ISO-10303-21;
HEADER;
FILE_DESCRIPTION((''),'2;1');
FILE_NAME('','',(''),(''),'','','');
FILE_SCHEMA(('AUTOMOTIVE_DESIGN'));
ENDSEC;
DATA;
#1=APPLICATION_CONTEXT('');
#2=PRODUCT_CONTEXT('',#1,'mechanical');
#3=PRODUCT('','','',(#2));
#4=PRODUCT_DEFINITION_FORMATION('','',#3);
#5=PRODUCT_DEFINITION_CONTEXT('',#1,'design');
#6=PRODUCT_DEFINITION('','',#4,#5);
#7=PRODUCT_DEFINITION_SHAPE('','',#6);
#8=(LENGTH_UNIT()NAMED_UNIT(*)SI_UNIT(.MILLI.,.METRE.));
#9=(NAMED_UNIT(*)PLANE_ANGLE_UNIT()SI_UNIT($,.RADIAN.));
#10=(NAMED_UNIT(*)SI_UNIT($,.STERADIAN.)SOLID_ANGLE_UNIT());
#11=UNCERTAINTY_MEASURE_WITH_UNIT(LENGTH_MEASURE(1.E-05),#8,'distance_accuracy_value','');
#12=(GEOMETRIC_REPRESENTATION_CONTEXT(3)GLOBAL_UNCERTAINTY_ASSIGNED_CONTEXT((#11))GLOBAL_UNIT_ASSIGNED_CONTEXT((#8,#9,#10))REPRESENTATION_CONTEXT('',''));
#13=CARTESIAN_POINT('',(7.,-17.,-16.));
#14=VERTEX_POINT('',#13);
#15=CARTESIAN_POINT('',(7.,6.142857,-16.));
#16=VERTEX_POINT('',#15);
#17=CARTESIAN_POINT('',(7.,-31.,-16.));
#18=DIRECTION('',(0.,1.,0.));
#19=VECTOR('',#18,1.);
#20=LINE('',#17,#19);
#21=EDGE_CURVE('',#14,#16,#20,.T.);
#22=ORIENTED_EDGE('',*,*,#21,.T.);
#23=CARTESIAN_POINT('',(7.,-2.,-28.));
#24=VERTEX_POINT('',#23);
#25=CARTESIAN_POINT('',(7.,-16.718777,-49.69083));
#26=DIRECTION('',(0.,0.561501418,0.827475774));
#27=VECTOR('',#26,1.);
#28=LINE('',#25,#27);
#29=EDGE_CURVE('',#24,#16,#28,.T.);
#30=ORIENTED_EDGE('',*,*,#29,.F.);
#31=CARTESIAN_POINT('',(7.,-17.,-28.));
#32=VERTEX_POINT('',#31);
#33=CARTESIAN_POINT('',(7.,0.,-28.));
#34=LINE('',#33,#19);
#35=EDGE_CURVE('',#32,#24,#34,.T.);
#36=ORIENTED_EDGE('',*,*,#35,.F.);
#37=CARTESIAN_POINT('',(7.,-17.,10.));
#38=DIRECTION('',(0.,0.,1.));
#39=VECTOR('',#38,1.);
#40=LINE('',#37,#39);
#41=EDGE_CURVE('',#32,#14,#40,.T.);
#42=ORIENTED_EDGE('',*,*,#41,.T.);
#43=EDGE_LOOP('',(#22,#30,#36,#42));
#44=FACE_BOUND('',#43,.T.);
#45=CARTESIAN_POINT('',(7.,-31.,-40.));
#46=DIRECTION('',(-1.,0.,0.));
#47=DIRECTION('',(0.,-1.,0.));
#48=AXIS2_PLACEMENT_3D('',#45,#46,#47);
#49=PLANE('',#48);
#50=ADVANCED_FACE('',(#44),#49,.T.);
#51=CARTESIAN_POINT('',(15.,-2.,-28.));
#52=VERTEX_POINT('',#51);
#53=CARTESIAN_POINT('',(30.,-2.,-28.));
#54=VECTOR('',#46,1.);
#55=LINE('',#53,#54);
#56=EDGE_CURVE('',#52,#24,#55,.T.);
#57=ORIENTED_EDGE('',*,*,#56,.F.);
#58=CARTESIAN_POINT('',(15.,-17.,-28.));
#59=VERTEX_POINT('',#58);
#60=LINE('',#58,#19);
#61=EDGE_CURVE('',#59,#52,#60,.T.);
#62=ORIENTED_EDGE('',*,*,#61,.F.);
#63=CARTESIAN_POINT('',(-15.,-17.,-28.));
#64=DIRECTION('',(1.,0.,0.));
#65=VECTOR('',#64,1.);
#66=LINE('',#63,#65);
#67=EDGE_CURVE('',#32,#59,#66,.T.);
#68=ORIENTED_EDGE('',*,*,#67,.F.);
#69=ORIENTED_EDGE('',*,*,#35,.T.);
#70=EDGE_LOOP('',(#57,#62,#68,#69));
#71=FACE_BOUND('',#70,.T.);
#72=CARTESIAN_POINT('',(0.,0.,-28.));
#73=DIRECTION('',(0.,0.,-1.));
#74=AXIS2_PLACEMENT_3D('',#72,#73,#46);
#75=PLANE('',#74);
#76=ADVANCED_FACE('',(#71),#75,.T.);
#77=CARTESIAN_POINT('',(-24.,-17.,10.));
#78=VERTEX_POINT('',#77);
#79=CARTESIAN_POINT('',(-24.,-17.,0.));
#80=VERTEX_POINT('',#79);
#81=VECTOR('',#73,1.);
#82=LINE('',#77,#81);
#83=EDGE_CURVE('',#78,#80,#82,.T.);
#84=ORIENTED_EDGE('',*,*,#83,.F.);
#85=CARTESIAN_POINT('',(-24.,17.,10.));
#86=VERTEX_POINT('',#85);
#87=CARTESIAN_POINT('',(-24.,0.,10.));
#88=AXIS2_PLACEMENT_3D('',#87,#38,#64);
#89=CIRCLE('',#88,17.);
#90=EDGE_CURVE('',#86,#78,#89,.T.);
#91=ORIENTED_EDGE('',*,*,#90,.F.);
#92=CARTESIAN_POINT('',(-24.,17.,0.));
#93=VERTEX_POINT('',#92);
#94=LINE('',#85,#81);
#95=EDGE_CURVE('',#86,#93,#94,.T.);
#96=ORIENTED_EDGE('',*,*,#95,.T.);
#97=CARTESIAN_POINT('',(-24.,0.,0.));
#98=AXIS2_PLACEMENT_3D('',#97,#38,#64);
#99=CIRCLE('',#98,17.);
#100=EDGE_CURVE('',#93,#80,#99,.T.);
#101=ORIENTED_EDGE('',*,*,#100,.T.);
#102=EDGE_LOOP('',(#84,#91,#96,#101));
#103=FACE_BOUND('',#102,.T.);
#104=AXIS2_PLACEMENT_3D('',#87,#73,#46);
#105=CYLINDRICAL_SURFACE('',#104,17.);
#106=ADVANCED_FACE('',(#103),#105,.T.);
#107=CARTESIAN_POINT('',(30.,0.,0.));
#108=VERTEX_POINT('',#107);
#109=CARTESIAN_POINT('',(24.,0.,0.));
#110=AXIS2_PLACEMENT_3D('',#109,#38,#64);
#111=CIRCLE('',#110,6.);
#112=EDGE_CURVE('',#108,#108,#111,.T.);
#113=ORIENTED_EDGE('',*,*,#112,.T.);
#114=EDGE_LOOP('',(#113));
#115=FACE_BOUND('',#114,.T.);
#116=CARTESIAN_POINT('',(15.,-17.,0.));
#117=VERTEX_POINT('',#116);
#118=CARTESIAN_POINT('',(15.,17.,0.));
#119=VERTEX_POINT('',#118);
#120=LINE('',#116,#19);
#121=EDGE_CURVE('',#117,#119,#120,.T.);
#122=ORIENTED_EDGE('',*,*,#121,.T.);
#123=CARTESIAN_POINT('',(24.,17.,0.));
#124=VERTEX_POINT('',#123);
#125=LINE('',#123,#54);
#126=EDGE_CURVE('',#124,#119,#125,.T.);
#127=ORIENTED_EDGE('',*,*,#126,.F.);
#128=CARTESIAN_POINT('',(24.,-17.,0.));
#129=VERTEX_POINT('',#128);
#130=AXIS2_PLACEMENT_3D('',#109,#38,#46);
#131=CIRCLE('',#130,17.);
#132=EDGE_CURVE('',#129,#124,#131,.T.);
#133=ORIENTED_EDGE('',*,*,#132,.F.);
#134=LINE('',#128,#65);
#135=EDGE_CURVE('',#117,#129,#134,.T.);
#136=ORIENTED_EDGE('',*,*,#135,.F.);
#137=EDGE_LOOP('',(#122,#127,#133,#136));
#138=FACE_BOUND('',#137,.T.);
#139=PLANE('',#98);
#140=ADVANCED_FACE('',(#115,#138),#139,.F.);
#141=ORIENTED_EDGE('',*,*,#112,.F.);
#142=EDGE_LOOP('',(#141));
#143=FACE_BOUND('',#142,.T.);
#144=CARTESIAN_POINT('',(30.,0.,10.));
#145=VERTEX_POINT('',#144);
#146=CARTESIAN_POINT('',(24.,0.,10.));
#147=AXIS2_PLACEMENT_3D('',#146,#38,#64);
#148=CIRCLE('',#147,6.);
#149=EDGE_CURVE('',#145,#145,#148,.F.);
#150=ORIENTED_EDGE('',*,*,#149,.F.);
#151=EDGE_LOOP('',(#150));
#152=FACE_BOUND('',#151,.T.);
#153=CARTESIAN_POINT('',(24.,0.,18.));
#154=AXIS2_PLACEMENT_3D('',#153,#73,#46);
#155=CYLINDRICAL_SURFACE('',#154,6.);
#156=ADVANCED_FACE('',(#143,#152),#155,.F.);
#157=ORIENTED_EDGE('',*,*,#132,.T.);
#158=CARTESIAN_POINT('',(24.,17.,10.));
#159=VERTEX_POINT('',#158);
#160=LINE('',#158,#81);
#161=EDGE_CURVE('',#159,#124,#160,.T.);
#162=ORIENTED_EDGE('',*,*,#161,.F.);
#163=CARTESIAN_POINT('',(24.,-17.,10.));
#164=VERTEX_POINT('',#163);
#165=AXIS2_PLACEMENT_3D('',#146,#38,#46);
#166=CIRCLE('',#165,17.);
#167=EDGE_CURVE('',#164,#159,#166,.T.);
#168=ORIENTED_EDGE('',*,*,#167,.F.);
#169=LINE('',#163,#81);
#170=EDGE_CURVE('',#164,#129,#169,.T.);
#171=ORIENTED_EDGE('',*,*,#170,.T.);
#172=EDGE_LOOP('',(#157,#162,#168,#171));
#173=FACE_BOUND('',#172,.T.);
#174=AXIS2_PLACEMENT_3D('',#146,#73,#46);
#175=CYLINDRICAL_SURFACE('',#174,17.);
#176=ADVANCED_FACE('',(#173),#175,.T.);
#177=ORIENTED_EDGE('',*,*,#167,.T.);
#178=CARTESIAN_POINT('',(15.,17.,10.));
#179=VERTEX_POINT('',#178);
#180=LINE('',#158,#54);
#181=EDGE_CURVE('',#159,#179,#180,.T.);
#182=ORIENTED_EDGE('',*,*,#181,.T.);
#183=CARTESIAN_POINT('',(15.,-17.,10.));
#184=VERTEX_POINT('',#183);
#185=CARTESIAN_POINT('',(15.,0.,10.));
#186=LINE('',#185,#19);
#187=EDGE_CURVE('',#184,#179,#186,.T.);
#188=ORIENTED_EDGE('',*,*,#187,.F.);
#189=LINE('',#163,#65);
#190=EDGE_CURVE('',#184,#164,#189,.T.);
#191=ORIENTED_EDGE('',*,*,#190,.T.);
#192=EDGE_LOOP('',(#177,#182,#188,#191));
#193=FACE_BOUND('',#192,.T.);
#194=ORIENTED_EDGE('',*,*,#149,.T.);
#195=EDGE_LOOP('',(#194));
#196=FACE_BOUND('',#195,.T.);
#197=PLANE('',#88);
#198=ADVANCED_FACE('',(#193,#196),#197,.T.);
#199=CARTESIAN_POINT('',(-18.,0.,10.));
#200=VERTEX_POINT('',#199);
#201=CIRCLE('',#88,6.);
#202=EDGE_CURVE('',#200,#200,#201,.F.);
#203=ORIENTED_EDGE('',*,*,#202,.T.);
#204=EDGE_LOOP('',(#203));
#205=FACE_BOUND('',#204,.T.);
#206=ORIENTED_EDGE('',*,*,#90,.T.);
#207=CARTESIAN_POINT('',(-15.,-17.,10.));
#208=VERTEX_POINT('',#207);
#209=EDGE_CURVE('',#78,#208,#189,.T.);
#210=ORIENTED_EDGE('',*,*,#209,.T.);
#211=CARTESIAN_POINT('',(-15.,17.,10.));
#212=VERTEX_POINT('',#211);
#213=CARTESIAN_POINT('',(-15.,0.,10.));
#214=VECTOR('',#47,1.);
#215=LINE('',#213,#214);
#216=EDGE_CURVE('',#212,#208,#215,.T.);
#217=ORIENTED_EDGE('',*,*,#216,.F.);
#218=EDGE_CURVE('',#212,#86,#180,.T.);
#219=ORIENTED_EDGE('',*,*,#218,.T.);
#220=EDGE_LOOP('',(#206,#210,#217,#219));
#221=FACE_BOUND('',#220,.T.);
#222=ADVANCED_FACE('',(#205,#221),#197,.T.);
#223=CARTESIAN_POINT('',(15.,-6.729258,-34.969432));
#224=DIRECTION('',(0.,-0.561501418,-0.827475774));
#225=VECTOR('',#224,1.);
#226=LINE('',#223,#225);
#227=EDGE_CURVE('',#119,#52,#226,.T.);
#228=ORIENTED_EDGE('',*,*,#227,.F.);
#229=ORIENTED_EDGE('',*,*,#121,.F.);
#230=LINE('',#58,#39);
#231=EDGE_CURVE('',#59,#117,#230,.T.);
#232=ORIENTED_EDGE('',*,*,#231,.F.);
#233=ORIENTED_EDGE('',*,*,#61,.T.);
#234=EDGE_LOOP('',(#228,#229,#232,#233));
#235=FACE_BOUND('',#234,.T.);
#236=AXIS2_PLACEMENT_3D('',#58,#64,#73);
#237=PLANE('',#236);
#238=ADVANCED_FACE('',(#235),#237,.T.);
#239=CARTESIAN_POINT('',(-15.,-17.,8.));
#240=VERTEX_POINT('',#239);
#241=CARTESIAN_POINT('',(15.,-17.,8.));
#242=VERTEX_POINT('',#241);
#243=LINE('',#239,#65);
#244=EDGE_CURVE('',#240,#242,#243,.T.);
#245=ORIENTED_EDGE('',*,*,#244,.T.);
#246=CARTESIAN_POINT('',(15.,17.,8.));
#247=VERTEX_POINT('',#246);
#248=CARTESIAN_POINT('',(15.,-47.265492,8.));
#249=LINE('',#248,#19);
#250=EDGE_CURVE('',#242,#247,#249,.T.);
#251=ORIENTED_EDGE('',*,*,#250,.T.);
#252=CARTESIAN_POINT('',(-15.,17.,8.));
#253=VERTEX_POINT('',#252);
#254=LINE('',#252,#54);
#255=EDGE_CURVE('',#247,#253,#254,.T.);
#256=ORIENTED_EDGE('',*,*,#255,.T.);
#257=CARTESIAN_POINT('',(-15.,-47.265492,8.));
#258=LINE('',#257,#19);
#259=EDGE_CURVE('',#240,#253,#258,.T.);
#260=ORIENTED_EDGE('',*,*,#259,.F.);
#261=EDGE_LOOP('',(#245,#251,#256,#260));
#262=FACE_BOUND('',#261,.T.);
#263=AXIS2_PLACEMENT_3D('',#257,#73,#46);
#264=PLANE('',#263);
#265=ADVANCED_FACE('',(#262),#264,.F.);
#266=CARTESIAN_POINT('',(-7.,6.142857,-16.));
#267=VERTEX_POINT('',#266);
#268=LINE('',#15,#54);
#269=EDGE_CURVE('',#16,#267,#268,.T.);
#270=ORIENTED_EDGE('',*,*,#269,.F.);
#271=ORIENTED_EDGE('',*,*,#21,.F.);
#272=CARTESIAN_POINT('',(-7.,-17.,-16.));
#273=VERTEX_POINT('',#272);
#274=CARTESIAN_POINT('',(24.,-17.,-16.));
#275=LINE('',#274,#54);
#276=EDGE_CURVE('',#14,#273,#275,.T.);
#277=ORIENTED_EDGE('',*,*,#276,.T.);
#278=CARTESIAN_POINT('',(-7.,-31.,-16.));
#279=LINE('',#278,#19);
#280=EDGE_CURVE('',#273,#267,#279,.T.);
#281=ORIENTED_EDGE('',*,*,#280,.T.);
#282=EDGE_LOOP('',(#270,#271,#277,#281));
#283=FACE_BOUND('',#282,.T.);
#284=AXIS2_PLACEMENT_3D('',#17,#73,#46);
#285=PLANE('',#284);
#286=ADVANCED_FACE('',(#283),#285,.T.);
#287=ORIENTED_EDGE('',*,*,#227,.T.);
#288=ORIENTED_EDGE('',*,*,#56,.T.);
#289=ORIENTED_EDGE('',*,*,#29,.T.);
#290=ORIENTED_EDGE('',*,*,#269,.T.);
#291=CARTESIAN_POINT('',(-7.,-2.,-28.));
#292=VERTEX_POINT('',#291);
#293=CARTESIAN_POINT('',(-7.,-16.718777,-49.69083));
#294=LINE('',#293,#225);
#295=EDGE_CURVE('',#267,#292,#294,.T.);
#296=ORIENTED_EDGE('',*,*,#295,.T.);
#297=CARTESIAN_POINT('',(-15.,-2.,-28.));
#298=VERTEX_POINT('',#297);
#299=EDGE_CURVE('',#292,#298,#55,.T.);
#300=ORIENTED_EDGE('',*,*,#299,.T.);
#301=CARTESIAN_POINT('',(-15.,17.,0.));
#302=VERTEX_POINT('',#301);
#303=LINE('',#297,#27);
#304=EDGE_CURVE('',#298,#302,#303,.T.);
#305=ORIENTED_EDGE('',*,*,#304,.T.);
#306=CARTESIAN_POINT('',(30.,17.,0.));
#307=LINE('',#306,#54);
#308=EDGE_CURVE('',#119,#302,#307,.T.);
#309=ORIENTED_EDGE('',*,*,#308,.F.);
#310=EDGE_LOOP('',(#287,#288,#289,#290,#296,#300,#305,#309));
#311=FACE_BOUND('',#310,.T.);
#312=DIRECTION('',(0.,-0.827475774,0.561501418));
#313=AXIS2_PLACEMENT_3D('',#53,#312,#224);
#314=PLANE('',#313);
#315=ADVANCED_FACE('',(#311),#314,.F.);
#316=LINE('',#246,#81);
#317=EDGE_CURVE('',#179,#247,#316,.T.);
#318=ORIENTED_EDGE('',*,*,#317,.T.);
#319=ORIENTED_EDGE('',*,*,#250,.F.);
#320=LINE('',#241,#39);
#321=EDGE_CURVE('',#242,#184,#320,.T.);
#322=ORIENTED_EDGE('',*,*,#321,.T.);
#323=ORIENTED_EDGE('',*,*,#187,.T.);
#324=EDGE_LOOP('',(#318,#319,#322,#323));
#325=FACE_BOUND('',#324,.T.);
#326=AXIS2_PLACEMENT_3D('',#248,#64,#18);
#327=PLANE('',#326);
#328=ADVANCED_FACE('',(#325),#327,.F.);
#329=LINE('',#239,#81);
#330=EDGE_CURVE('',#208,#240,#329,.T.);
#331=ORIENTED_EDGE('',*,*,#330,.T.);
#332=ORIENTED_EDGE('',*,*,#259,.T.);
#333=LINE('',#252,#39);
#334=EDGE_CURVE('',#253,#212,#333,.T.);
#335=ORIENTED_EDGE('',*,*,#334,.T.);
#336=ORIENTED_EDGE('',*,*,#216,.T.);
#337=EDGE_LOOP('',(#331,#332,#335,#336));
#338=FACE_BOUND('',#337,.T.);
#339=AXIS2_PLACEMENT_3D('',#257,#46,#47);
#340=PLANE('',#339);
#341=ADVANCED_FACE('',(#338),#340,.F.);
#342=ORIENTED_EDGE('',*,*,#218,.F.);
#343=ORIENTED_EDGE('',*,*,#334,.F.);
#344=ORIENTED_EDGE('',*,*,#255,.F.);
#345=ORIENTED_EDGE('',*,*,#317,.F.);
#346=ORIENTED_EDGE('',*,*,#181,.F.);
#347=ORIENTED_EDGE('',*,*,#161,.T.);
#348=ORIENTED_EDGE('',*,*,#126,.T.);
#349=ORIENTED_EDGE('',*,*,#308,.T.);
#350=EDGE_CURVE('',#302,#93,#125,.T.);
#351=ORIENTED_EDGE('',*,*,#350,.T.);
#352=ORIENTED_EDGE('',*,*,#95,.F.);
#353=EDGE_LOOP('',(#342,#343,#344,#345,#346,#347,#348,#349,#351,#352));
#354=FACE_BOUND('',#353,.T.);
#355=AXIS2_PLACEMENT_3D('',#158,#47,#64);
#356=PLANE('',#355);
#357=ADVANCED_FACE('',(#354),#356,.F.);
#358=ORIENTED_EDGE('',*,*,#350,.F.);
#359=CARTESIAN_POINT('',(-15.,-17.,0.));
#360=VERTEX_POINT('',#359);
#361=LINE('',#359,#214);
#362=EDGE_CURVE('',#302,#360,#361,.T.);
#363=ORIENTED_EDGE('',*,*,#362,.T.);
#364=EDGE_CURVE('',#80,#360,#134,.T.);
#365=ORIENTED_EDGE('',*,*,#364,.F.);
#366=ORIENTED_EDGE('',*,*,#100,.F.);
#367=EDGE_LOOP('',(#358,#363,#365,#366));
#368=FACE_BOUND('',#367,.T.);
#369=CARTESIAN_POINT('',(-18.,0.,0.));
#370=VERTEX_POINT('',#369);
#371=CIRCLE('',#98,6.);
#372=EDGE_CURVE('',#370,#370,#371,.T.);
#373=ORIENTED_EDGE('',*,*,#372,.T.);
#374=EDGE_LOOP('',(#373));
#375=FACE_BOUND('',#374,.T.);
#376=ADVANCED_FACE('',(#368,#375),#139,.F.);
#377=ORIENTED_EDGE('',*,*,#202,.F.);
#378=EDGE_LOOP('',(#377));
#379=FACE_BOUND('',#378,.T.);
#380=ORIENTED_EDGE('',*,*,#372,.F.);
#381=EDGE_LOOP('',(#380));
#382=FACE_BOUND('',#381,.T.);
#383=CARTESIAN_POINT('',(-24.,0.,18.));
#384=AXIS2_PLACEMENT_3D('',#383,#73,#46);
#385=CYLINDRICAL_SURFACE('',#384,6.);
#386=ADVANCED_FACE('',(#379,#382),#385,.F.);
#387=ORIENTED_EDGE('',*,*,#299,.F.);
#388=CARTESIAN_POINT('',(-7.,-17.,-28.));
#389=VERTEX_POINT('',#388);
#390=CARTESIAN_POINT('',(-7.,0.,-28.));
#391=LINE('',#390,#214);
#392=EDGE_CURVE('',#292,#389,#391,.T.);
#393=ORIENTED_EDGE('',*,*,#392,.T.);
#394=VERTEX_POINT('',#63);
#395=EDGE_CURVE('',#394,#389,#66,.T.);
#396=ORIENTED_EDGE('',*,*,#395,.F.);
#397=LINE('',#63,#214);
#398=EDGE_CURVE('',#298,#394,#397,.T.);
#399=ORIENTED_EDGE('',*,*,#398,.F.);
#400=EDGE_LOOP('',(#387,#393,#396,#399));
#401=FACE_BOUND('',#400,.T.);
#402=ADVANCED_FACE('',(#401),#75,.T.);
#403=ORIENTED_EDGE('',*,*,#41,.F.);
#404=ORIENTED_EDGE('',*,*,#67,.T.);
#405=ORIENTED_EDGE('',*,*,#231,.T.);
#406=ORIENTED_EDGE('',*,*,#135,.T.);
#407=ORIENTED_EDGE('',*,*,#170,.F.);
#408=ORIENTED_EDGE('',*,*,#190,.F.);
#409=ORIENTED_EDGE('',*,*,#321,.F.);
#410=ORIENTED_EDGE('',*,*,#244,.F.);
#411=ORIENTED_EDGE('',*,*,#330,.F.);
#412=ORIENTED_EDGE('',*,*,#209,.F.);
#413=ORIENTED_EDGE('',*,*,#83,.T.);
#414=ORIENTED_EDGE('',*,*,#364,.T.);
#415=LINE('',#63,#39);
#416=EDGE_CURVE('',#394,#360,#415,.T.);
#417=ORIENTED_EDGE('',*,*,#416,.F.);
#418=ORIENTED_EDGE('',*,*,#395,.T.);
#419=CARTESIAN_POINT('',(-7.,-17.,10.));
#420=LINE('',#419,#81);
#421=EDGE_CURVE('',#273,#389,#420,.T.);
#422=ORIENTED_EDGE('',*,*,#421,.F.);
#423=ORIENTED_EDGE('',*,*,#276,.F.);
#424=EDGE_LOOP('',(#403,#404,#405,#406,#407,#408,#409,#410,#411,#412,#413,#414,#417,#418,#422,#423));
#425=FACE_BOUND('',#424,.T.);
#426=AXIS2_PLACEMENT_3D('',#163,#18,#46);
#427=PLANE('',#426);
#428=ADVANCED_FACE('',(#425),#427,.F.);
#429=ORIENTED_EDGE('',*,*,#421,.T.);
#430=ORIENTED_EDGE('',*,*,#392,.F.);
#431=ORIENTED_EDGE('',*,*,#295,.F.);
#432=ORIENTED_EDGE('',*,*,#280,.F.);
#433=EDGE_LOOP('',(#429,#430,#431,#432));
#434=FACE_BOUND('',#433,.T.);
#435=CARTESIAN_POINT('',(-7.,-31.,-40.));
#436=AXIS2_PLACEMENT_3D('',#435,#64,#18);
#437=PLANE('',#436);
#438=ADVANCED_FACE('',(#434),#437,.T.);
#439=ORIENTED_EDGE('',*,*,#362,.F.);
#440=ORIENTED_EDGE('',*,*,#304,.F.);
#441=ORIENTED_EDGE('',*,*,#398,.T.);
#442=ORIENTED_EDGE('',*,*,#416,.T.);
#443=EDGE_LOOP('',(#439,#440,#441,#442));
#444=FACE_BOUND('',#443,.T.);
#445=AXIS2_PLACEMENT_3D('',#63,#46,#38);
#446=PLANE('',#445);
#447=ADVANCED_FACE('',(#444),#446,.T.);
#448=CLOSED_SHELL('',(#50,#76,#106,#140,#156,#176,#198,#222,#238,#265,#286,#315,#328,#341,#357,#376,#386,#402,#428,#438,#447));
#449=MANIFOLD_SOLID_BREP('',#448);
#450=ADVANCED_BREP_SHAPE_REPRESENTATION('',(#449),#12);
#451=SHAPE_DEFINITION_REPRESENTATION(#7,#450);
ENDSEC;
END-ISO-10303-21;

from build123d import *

# Parameters (mm, degrees)
EXTRUDE_1_DEPTH          = 10
SKETCH_2_R               = 6
CUT_EXTRUDE_1_DEPTH      = 18
SKETCH_3_W               = 30
SKETCH_3_H               = 34
EXTRUDE_2_DEPTH          = 28
CUT_EXTRUDE_2_DEPTH      = 14
CUT_EXTRUDE_2_DEPTH_BACK = 45
SKETCH_4_W               = 14
SKETCH_4_H               = 24
CUT_EXTRUDE_3_DEPTH      = 45
SKETCH_6_W               = 30
SKETCH_6_H               = 4
CUT_EXTRUDE_5_DEPTH      = 34


with BuildPart() as part:
    # 草图1 → 凸台-拉伸1 (new body)
    with BuildSketch(Plane.XY):
        with BuildLine():
            Line((24, -17), (-24, -17))
            ThreePointArc((-24, -17), (-41, 0), (-24, 17))
            Line((-24, 17), (24, 17))
            ThreePointArc((24, 17), (41, 0), (24, -17))
        make_face()
    extrude(amount=EXTRUDE_1_DEPTH)

    # 草图2 → 切除-拉伸1 (cut)
    with BuildSketch(Plane.XY):
        with Locations((-24, 0)):
            Circle(SKETCH_2_R)
        with Locations((24, 0)):
            Circle(SKETCH_2_R)
    extrude(amount=CUT_EXTRUDE_1_DEPTH, mode=Mode.SUBTRACT)

    # 草图3 → 凸台-拉伸2 (add)
    with BuildSketch(Plane.XY):
        Rectangle(SKETCH_3_W, SKETCH_3_H)
    extrude(amount=-EXTRUDE_2_DEPTH)

    # 草图4 → 切除-拉伸2 (cut, two sides: drawn at the far end of the back side and taken through both)
    with BuildSketch(Plane.XZ.offset(17).offset(-CUT_EXTRUDE_2_DEPTH_BACK)):
        with Locations((0, -28)):
            Rectangle(SKETCH_4_W, SKETCH_4_H)
    extrude(amount=CUT_EXTRUDE_2_DEPTH + CUT_EXTRUDE_2_DEPTH_BACK, mode=Mode.SUBTRACT)

    # 草图5 → 切除-拉伸3 (cut)
    with BuildSketch(Plane.ZY.offset(15)):
        Polygon((0, 17), (-28, 17), (-28, -2), align=None)
    extrude(amount=-CUT_EXTRUDE_3_DEPTH, mode=Mode.SUBTRACT)

    # 草图6 → 切除-拉伸5 (cut)
    with BuildSketch(Plane(origin=(0, 17, 0), x_dir=(1, 0, 0), z_dir=(0, 1, 0))):
        with Locations((0, -10)):
            Rectangle(SKETCH_6_W, SKETCH_6_H)
    extrude(amount=-CUT_EXTRUDE_5_DEPTH, mode=Mode.SUBTRACT)


solid = part.part
